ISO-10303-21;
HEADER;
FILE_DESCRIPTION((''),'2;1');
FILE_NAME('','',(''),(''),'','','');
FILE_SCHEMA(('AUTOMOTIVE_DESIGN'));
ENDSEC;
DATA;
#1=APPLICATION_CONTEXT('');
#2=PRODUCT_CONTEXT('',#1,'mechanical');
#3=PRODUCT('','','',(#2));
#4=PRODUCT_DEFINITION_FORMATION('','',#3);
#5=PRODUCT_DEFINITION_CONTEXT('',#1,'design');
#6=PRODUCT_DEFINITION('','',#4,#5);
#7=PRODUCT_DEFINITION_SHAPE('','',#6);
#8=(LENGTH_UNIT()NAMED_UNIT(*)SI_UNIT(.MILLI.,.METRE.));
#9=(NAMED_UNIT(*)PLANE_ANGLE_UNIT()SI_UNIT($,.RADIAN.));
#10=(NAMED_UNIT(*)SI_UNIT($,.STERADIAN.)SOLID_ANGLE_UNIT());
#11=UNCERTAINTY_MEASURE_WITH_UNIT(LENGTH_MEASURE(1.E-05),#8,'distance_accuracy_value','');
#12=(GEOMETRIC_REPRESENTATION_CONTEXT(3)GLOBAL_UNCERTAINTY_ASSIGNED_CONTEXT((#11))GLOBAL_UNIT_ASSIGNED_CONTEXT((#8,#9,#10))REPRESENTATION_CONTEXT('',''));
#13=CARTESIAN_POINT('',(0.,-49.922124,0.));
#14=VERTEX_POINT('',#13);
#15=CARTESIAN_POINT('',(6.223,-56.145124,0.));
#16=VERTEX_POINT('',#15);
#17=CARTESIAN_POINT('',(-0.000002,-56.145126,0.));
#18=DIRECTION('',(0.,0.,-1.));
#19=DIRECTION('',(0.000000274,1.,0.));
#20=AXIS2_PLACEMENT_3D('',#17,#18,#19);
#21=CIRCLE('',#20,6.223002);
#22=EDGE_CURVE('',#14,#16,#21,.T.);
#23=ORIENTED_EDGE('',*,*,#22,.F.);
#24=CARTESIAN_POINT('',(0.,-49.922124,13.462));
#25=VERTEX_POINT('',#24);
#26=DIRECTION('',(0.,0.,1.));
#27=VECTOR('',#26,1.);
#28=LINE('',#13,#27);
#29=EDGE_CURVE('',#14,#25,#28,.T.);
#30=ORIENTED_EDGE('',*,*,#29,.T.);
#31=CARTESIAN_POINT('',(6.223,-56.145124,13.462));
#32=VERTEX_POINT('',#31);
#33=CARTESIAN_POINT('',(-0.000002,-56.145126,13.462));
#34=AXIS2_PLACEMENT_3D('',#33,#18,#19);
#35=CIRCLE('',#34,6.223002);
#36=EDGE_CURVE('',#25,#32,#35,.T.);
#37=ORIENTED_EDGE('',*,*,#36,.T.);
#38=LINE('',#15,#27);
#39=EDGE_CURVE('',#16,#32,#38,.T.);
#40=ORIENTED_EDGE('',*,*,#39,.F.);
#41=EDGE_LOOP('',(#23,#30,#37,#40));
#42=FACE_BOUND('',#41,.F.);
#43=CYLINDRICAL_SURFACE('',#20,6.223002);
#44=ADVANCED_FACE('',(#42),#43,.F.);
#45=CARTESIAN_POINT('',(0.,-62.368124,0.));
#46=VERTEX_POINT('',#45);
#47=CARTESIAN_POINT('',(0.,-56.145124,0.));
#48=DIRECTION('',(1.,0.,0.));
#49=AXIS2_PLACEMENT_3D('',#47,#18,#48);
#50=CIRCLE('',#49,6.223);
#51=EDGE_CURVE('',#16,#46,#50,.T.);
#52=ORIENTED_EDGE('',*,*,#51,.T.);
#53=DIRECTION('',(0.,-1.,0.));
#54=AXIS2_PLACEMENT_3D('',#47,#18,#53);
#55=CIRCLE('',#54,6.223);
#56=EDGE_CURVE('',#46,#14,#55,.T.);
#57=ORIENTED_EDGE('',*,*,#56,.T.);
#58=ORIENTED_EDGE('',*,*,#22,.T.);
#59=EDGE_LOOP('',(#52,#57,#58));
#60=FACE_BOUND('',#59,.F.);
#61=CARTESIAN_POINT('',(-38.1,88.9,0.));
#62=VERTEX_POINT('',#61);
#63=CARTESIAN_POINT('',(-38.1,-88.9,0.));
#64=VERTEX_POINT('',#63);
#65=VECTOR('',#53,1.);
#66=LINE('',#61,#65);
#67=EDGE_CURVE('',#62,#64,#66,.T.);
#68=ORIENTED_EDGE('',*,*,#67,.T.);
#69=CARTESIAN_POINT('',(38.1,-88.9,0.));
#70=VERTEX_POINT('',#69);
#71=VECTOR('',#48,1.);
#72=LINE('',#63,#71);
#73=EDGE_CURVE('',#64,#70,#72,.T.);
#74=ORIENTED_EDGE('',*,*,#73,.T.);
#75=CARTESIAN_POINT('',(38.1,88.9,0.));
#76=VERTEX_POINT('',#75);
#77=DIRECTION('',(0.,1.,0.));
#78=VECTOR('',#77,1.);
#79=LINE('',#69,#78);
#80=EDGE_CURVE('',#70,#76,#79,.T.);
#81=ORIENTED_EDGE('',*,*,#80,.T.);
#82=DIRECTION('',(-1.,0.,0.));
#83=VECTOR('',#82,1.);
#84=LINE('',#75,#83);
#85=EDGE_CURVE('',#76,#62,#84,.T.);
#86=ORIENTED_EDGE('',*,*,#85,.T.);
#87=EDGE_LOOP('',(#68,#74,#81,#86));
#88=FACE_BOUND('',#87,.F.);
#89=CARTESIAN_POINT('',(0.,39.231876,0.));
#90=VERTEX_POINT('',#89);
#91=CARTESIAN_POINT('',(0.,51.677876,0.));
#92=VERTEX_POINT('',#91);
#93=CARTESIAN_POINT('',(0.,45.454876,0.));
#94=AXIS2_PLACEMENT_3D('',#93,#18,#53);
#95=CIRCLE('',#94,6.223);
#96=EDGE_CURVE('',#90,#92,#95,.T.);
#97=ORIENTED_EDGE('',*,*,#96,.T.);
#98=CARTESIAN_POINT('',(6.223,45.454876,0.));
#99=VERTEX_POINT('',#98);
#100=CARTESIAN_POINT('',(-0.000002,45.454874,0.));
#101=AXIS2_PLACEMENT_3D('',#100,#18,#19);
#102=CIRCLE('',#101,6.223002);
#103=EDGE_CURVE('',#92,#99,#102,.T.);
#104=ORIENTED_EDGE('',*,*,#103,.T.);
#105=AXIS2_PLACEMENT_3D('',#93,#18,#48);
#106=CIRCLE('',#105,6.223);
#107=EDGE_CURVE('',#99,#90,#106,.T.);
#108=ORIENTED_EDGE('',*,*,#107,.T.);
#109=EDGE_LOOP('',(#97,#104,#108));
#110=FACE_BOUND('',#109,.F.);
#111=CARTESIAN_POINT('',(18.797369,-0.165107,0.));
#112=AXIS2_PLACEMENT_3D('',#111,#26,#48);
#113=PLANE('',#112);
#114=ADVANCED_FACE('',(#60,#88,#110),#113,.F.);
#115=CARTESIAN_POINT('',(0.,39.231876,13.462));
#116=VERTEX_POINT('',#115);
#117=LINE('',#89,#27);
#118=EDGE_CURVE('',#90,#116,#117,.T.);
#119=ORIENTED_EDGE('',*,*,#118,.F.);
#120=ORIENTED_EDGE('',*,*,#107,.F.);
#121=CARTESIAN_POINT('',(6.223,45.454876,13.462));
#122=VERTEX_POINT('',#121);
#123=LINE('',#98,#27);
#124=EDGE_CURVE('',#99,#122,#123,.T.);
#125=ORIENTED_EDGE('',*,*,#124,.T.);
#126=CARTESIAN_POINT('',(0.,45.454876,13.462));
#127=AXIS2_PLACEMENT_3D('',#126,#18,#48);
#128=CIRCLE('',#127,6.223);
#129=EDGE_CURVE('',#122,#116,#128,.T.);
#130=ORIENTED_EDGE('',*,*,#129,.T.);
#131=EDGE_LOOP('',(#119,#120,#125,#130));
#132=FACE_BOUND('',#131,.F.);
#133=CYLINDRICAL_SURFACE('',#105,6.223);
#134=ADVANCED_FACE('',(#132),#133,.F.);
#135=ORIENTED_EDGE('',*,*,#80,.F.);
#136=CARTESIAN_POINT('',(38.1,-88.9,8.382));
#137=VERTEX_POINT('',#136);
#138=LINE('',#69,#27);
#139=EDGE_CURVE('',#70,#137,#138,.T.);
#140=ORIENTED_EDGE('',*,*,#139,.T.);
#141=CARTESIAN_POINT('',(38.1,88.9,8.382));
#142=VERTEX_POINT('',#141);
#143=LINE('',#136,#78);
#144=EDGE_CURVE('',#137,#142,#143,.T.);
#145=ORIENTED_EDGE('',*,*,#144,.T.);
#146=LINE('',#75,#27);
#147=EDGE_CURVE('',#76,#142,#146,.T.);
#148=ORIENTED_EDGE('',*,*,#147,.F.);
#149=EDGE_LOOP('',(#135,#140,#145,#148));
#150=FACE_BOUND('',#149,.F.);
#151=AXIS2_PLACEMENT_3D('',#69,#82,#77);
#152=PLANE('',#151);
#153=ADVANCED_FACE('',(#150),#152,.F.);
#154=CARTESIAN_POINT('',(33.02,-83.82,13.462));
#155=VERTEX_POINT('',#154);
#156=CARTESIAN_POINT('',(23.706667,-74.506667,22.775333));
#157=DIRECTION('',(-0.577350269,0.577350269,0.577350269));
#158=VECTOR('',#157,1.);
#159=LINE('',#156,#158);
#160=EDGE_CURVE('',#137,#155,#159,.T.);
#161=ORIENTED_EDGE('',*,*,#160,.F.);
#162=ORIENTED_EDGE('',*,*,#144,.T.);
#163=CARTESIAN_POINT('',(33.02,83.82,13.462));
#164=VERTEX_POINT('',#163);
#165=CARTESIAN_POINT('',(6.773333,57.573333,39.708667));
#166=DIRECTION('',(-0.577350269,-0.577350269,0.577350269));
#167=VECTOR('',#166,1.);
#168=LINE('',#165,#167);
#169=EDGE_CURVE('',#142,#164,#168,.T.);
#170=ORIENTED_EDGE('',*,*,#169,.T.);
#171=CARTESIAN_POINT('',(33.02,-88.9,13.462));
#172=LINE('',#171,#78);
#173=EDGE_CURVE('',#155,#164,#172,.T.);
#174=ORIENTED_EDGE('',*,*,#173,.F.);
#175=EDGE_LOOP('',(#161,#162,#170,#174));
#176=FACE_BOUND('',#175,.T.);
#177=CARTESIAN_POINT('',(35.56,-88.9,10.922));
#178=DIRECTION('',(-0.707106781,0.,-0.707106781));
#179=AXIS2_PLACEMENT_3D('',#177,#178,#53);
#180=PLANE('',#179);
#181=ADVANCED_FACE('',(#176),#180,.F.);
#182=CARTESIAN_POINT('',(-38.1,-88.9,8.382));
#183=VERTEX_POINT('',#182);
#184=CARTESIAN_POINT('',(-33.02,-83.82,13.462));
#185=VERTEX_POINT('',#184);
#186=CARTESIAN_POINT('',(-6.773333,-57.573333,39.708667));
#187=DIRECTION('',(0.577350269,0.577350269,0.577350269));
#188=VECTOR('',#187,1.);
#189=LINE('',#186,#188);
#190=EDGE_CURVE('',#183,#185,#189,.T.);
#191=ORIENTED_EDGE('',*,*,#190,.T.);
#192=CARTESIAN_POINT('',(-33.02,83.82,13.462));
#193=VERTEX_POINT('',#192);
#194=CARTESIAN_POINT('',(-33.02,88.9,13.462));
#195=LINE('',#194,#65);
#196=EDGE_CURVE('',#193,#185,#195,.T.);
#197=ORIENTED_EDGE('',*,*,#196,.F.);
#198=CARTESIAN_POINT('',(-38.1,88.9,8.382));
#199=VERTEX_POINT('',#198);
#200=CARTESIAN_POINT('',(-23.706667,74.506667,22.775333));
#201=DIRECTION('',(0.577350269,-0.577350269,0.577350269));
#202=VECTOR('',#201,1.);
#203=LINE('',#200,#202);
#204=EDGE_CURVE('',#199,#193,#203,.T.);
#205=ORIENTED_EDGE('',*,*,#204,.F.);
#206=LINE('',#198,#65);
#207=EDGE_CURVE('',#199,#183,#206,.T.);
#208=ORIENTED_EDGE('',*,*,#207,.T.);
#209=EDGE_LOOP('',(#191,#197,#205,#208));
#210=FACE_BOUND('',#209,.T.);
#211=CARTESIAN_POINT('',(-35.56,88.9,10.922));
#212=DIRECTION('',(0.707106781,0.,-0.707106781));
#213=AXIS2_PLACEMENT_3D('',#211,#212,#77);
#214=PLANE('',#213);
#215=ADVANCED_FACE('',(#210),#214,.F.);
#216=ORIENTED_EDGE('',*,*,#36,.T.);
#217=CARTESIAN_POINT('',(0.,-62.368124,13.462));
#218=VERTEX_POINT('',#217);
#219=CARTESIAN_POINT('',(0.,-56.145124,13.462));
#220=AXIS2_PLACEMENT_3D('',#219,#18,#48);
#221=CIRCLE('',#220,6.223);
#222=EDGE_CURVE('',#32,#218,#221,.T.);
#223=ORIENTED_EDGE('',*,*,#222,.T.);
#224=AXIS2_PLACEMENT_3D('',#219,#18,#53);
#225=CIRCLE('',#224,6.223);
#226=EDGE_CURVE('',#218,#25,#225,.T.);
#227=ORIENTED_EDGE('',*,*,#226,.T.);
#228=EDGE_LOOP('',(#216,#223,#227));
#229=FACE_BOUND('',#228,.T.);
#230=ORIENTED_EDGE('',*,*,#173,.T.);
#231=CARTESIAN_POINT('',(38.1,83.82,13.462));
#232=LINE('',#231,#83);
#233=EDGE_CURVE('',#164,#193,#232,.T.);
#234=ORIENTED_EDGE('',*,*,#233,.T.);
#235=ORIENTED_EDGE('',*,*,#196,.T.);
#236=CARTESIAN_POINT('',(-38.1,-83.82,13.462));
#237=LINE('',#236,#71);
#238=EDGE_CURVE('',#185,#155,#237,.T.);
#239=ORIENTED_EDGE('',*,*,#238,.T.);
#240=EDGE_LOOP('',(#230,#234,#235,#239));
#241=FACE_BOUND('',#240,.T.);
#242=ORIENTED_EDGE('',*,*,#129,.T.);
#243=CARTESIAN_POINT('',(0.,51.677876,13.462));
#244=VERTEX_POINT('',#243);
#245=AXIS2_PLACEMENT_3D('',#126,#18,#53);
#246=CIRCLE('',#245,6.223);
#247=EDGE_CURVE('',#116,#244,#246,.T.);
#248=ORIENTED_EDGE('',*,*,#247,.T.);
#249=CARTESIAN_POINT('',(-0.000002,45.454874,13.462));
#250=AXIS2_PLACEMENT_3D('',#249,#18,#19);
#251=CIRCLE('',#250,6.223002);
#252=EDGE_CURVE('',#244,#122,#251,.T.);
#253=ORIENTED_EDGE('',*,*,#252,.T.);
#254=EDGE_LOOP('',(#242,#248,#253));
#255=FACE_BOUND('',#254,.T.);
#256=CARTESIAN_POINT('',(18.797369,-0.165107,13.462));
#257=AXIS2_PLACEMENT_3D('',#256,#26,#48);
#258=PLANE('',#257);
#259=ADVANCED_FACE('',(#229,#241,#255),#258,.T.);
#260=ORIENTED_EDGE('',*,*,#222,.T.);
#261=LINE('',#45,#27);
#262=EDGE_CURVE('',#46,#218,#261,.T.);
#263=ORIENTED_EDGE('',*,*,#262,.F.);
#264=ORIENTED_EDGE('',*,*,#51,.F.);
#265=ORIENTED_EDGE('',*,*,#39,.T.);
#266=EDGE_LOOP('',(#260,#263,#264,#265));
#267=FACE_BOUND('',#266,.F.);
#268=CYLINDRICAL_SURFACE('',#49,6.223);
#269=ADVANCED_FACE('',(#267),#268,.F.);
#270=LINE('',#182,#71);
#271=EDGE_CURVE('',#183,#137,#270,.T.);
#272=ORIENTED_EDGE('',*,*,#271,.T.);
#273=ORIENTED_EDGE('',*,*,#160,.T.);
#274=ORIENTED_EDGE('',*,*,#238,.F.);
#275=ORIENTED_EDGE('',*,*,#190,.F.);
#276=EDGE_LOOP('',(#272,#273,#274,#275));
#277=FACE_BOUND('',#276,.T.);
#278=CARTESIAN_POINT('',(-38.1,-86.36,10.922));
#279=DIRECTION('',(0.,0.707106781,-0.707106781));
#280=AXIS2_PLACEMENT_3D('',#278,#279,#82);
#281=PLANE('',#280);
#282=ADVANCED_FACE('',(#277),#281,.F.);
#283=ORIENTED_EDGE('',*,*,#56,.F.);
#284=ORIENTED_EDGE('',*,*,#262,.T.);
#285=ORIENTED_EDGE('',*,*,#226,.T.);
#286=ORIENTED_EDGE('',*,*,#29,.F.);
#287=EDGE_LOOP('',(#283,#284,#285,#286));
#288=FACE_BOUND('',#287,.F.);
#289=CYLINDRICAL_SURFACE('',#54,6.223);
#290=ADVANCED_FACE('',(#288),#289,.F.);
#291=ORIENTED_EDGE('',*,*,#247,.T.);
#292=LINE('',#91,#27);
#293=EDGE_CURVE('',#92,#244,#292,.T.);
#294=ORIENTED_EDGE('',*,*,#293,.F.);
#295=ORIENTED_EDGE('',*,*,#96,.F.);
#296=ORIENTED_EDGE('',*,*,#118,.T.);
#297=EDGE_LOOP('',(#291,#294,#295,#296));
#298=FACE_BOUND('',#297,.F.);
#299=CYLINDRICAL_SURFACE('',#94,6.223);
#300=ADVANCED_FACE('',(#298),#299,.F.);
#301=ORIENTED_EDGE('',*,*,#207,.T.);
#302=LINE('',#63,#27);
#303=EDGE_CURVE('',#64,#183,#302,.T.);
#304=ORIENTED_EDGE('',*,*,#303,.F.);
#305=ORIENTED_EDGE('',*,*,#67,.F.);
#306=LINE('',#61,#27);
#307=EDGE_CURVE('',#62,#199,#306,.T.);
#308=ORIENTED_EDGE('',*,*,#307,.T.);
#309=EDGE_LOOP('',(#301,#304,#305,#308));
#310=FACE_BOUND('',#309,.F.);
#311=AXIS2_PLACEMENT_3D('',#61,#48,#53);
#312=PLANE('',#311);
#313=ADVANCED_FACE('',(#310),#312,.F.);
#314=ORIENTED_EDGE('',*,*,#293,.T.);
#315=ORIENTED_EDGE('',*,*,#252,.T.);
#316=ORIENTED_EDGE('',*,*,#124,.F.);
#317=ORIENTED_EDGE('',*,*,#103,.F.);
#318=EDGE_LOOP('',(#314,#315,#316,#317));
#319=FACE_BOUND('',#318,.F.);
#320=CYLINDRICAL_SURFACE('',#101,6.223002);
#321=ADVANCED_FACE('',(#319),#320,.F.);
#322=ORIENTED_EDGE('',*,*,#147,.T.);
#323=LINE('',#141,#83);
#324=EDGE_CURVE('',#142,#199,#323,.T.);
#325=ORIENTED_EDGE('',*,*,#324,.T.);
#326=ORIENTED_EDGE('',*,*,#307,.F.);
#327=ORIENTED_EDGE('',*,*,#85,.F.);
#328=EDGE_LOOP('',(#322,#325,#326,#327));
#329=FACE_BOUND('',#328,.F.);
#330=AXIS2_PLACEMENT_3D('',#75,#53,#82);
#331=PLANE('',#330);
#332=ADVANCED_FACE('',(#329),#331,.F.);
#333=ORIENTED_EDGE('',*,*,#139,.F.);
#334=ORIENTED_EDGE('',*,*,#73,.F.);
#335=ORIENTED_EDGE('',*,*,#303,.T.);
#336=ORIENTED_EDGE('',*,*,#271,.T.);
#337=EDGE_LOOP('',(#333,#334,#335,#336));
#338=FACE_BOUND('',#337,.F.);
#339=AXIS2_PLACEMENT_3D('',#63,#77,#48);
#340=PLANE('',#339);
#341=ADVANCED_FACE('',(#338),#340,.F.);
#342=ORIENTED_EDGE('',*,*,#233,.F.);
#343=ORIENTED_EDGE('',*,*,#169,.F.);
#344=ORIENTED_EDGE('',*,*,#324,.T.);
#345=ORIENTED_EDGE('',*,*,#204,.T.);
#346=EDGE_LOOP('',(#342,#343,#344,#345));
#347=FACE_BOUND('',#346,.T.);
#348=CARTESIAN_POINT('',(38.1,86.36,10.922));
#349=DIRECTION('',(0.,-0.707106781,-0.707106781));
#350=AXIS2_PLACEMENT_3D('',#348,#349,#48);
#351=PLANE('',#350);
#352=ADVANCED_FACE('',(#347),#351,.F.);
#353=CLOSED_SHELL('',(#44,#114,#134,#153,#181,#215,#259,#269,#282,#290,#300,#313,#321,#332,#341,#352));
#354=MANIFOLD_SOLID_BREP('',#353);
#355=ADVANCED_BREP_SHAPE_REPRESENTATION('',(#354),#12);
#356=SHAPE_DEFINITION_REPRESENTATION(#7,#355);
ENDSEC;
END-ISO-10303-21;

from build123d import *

# Parameters (mm, degrees)
F1_DEPTH = 13.462
F2_SIZE  = 5.08


with BuildPart() as f1:
    # F0 (on Top) → F1 (new body)
    with BuildSketch(Plane.XY):
        with BuildLine():
            Line((38.1, 88.9), (0, 88.9))
            Line((0, 88.9), (0, 51.677876))
            ThreePointArc((0, 51.677876), (4.400325, 49.855201), (6.223, 45.454876))
            ThreePointArc((6.223, 45.454876), (4.400325, 41.05455), (0, 39.231876))
            Line((0, 39.231876), (0, -49.922124))
            ThreePointArc((0, -49.922124), (4.400325, -51.744799), (6.223, -56.145124))
            ThreePointArc((6.223, -56.145124), (4.400325, -60.54545), (0, -62.368124))
            Line((0, -62.368124), (0, -88.9))
            Line((0, -88.9), (38.1, -88.9))
            Line((38.1, -88.9), (38.1, 88.9))
        make_face()
        with BuildLine():
            Line((0, 88.9), (-38.1, 88.9))
            Line((-38.1, 88.9), (-38.1, -88.9))
            Line((-38.1, -88.9), (0, -88.9))
            Line((0, -88.9), (0, -62.368124))
            ThreePointArc((0, -62.368124), (-6.223, -56.145124), (0, -49.922124))
            Line((0, -49.922124), (0, 39.231876))
            ThreePointArc((0, 39.231876), (-6.223, 45.454876), (0, 51.677876))
            Line((0, 51.677876), (0, 88.9))
        make_face()
    extrude(amount=F1_DEPTH)

    # F2
    f2_edges = [f1.edges().sort_by_distance(p)[0] for p in [
        (-38.1, 0, 13.462),
        (38.1, 0, 13.462),
        (0, 88.9, 13.462),
        (0, -88.9, 13.462),
    ]]
    chamfer(f2_edges, length=F2_SIZE)


solid = f1.part
